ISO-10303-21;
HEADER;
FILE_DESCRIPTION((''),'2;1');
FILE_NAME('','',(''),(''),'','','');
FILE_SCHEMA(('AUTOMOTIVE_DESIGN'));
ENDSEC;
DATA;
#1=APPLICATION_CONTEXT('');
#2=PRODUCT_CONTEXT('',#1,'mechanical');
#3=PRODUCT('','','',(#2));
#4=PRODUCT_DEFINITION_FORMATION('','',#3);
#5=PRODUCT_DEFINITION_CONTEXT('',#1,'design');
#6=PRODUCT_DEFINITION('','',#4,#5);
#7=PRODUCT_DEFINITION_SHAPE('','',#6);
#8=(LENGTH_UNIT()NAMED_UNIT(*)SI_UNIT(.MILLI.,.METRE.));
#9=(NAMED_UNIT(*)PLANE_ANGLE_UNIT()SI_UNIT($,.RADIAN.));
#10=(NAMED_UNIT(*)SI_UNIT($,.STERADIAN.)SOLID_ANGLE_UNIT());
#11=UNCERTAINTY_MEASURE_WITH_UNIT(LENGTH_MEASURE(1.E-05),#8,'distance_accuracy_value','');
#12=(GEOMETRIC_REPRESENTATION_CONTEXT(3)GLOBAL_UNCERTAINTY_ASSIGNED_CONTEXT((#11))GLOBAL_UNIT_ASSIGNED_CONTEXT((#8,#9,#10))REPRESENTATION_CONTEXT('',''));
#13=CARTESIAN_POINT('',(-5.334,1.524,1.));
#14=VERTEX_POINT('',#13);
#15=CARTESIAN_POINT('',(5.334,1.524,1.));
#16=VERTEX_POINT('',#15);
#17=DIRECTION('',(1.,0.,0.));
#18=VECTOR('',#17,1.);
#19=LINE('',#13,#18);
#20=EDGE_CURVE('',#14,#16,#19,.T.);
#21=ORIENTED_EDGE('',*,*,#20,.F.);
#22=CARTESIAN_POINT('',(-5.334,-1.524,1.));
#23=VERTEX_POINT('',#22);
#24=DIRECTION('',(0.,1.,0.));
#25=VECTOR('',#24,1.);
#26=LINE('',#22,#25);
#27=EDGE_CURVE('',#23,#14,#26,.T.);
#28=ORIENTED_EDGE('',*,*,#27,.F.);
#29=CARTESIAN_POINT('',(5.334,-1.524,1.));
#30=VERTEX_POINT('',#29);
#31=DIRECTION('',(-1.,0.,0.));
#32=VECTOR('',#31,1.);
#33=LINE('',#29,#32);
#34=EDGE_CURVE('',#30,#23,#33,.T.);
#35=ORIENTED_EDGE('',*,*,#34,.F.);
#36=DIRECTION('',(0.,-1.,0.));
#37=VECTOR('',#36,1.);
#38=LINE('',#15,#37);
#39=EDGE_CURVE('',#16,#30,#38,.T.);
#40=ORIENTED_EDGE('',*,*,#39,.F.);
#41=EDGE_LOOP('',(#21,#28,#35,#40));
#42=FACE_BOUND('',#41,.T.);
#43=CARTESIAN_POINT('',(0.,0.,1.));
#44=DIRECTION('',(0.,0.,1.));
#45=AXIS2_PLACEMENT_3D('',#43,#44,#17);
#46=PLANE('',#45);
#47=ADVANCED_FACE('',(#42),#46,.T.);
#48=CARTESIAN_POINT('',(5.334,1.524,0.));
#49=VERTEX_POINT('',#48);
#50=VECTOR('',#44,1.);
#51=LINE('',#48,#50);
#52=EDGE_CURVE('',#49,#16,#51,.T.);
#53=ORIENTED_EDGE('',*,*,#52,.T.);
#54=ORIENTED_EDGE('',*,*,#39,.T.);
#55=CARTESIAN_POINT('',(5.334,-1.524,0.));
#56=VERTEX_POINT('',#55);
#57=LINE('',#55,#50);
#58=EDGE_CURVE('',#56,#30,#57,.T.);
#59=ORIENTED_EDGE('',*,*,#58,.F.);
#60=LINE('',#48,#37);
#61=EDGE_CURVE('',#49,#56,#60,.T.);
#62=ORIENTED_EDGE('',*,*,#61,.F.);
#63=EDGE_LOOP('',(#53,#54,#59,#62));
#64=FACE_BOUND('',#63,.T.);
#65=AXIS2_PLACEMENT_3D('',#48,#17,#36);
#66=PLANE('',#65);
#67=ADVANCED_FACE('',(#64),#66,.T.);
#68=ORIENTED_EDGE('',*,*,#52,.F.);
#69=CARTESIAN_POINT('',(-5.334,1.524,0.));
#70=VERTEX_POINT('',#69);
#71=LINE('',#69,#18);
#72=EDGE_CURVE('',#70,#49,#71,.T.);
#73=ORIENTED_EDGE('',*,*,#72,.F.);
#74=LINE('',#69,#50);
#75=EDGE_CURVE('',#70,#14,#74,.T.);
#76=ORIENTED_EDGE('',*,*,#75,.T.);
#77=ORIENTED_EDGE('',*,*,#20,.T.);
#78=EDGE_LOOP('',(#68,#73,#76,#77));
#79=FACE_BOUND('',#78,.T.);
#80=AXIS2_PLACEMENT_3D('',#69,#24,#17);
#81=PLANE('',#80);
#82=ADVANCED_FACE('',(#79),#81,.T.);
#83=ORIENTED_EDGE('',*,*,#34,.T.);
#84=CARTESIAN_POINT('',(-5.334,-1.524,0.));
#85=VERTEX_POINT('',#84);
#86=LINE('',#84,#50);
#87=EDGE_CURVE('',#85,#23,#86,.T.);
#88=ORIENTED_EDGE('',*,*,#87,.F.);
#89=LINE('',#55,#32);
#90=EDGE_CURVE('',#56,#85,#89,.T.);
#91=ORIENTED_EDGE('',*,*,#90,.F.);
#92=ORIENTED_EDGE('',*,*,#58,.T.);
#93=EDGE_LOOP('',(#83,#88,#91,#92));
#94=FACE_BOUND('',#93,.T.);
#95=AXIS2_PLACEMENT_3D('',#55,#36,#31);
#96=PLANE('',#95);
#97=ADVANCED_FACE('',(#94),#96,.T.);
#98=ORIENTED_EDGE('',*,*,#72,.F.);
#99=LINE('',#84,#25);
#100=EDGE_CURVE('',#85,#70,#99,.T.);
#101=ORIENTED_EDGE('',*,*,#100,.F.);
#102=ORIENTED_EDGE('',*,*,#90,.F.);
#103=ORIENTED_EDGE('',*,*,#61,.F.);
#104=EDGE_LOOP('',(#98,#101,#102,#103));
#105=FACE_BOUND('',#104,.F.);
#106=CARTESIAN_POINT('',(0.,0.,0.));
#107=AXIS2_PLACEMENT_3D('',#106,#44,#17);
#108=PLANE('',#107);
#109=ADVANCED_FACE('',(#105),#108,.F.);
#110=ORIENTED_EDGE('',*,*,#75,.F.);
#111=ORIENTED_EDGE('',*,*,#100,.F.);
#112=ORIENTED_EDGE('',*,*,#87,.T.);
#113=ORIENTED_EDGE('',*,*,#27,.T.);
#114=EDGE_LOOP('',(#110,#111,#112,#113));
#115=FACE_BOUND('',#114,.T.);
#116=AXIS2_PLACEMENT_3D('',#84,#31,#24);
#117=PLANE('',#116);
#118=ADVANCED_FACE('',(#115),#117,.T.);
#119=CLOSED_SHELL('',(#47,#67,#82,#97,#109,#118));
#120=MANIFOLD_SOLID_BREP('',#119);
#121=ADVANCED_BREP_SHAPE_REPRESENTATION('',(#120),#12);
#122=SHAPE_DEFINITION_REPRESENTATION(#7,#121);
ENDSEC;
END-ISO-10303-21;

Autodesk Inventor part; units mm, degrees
ref_plane "YZ Plane" through (0, 0, 0) normal (1, 0, 0) x (0, 1, 0)
ref_plane "XZ Plane" through (0, 0, 0) normal (0, 1, 0) x (-1, 0, 0)
ref_plane "XY Plane" through (0, 0, 0) normal (0, 0, 1) x (1, 0, 0)
sketch "JTAG_SERIAL_PTH, JTAG_SERIAL_48" plane through (0, 0, 0) normal (0, 0, 1) x (1, 0, 0)
  line L0 (-5.334, 1.524) -> (5.334, 1.524)
  line L1 (5.334, 1.524) -> (5.334, -1.524)
  line L2 (5.334, -1.524) -> (-5.334, -1.524)
  line L3 (-5.334, -1.524) -> (-5.334, 1.524)
extrude "Extrusion1" add sketch "JTAG_SERIAL_PTH, JTAG_SERIAL_48" along normal blind 1
properties part number "JTAG_SERIAL"
